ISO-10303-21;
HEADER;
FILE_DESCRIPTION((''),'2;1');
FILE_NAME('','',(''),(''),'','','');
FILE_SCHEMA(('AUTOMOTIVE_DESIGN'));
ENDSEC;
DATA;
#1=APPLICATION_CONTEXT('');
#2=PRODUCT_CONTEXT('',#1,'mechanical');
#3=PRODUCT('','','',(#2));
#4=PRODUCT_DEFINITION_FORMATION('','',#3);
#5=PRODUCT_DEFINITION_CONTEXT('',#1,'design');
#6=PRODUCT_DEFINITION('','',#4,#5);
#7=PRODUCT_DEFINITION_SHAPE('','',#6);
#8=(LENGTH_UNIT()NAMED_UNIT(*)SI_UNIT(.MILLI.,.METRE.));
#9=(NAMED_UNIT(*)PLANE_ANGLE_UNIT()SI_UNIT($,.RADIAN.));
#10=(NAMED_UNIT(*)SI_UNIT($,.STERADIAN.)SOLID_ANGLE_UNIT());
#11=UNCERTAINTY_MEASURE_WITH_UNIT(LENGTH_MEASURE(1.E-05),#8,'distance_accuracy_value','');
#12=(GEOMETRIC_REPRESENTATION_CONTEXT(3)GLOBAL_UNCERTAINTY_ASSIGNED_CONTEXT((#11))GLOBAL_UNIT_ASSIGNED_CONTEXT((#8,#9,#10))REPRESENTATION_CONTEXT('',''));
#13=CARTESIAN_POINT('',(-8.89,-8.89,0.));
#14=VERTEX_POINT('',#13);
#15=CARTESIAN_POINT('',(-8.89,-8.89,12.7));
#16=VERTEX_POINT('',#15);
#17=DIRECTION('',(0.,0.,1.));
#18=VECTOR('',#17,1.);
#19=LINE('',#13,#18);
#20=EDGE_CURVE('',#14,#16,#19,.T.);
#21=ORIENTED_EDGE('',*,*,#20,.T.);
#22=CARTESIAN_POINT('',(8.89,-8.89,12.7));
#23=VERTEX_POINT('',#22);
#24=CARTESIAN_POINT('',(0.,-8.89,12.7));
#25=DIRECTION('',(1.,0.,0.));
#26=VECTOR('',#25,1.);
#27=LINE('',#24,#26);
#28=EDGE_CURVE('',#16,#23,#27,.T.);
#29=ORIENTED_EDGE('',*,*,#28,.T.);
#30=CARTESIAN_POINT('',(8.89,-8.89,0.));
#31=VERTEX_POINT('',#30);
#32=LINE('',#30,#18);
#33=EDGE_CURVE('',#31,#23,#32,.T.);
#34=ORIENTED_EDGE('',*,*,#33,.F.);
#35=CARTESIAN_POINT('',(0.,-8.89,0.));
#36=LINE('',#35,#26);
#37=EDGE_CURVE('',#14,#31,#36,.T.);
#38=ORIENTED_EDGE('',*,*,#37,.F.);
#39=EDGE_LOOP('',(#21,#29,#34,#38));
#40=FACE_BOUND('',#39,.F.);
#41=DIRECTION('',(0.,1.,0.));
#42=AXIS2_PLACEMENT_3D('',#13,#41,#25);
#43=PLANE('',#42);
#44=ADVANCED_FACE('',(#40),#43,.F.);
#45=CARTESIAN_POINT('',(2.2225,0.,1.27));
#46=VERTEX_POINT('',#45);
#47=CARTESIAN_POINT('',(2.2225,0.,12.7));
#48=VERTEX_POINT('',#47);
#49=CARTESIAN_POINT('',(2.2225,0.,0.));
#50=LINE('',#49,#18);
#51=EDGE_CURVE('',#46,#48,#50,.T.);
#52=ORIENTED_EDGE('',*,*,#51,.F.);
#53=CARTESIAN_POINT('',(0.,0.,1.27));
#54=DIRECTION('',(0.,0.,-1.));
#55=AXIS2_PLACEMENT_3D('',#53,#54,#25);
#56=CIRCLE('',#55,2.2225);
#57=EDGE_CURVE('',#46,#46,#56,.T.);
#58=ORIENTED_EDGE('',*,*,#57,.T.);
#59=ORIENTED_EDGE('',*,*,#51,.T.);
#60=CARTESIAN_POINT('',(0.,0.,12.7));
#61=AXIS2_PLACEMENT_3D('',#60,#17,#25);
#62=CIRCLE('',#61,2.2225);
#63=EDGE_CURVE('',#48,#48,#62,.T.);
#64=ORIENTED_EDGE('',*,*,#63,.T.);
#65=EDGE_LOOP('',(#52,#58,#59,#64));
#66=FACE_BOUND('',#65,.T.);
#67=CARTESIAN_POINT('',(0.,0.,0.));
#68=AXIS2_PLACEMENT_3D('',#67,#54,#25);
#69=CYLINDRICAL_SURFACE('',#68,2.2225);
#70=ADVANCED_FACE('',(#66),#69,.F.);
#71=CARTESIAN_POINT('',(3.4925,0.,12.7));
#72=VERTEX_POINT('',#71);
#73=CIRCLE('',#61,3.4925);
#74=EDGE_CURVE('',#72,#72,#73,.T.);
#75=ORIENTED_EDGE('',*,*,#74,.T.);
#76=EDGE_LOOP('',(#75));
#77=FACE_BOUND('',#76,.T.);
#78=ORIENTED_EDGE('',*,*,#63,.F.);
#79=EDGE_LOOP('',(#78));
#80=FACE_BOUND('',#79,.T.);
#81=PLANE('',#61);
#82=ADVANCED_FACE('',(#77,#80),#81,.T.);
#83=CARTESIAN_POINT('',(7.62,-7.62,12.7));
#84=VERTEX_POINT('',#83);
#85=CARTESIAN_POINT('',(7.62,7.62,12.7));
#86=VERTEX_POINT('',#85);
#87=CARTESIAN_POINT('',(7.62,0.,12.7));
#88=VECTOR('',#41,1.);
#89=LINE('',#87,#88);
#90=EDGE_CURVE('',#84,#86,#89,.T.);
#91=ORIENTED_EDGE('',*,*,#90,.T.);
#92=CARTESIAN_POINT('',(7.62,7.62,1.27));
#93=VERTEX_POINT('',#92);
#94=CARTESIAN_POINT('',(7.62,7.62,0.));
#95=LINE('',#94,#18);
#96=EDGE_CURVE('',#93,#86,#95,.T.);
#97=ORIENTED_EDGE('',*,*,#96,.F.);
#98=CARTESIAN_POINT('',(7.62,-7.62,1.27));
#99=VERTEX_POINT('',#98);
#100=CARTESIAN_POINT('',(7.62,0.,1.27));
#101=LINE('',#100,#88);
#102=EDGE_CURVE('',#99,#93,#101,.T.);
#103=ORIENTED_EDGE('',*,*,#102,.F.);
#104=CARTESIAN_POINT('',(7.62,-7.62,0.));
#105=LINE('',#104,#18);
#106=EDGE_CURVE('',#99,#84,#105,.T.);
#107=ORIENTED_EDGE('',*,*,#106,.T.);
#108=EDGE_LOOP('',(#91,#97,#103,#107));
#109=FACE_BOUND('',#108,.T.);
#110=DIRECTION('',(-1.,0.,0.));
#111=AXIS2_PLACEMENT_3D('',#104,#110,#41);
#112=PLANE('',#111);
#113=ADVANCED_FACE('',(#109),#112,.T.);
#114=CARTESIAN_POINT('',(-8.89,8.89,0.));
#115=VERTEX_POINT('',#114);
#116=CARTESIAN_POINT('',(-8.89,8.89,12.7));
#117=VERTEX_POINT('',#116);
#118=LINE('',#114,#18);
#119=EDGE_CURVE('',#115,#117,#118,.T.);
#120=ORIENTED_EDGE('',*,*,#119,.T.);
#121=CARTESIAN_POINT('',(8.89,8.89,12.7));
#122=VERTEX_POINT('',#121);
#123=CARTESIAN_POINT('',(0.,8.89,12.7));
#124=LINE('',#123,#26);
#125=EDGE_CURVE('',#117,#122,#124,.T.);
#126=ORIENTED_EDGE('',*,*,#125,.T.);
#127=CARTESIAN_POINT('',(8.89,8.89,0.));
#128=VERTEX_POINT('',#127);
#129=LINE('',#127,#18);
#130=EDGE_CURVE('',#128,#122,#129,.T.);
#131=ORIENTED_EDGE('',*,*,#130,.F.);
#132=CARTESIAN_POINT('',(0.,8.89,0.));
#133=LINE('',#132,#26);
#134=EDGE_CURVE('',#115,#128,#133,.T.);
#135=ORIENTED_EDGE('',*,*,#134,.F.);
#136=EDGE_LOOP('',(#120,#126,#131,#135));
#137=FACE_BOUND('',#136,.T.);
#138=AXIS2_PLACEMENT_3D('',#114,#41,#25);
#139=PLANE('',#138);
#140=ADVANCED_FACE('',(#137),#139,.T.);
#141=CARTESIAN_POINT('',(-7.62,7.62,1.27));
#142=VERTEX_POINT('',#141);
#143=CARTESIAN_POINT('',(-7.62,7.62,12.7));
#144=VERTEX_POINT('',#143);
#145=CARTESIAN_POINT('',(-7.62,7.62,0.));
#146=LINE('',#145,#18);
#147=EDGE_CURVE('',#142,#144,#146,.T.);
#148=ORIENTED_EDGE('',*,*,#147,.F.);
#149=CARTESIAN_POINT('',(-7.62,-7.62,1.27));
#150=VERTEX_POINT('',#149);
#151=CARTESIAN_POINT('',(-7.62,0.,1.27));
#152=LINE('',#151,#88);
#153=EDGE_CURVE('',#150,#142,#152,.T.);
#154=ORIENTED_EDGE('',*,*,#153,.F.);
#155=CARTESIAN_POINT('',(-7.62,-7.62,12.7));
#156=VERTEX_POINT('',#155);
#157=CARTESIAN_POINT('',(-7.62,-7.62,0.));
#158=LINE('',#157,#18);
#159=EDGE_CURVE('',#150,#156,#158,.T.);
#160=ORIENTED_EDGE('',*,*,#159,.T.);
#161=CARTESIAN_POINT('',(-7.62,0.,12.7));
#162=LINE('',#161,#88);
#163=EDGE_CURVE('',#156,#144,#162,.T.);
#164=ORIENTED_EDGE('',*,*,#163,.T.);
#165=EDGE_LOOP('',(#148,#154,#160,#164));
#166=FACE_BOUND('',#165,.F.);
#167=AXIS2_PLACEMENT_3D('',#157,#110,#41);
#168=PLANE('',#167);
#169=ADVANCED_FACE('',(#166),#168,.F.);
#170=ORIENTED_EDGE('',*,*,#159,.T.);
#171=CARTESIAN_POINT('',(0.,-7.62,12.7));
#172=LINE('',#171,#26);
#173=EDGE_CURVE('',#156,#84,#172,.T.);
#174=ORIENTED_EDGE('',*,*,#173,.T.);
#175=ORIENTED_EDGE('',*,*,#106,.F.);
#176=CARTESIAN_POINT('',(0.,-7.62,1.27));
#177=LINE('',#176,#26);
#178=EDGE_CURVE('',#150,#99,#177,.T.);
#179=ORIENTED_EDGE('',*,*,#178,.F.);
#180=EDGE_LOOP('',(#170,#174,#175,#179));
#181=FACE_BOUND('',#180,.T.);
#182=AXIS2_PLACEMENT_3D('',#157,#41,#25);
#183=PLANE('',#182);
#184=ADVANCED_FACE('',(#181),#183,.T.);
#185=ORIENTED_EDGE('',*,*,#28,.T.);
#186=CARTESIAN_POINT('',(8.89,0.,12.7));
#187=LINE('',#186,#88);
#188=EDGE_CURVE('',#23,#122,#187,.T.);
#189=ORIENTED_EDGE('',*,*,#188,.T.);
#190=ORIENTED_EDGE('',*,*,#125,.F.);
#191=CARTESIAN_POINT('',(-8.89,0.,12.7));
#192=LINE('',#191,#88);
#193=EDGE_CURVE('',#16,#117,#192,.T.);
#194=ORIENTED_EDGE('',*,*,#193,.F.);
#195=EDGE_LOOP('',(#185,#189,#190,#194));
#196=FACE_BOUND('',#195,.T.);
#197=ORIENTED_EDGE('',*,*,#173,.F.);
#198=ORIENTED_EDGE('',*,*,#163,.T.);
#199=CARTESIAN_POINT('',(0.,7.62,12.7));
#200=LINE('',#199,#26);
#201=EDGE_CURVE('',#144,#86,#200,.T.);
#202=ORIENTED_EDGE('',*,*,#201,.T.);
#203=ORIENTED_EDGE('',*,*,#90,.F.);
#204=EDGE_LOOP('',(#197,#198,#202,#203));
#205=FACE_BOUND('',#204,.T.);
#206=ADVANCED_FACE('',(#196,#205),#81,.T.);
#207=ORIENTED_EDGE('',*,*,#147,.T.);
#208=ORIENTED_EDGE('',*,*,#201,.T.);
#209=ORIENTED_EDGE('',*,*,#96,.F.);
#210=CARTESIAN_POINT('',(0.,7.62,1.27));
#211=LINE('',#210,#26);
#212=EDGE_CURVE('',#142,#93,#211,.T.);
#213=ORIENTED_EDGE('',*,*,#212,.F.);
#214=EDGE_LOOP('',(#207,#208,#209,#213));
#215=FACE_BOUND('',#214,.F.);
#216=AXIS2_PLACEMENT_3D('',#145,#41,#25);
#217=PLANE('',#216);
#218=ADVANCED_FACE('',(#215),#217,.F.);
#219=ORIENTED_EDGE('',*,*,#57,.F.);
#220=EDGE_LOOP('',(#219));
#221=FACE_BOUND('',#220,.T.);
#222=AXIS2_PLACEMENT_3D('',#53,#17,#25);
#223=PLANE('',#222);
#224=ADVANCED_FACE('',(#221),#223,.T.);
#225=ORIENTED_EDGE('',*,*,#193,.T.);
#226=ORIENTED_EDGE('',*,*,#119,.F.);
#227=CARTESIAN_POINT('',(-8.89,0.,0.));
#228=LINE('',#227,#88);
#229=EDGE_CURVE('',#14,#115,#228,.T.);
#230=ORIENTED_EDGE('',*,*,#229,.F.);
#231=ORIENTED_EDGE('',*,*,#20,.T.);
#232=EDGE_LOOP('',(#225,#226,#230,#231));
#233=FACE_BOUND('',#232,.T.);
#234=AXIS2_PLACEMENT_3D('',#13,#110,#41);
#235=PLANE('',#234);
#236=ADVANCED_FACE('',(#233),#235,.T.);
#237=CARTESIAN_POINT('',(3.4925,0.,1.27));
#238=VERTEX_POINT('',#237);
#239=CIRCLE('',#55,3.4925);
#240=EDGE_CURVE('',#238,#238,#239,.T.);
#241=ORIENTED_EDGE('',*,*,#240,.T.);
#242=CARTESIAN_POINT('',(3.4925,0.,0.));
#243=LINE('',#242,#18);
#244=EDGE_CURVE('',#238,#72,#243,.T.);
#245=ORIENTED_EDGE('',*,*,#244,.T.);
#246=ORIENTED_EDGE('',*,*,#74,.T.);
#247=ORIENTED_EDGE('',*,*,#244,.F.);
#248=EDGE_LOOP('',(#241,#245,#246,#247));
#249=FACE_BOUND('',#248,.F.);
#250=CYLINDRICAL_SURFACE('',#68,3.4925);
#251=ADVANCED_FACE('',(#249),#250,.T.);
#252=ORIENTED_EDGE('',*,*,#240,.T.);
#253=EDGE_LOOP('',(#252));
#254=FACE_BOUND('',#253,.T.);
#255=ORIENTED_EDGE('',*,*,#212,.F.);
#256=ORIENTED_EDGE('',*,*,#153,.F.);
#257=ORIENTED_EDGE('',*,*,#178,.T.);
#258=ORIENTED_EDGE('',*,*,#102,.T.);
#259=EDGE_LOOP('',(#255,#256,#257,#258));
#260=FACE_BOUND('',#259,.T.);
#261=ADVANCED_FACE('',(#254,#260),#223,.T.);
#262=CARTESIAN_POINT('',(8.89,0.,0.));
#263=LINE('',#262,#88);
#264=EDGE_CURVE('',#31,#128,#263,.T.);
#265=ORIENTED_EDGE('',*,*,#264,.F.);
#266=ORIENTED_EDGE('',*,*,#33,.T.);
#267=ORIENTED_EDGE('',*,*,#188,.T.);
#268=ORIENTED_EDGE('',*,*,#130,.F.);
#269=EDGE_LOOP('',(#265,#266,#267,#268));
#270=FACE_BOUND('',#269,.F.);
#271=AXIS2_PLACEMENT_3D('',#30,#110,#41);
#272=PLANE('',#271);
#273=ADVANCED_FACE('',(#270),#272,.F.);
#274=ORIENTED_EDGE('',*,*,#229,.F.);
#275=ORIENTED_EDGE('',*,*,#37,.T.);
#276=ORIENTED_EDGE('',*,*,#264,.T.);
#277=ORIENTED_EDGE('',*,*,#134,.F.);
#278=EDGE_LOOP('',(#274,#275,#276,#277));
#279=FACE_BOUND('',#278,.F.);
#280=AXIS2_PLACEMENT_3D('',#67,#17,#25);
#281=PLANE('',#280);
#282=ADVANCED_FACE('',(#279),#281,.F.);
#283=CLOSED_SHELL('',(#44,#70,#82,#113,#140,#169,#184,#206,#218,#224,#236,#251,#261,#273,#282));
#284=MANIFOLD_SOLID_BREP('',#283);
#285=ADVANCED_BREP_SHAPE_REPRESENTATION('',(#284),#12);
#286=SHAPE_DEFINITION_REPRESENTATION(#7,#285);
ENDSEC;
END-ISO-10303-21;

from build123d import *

# Parameters (mm, degrees)
F0_W     = 15.24
F0_H     = 15.24
F0_R     = 3.4925
F0_R_2   = 2.2225
F1_DEPTH = 1.27
F0_W_2   = 17.78
F0_H_2   = 17.78
F2_DEPTH = 12.7
F3_DEPTH = 12.7


with BuildPart() as f1:
    # F0 (on Top) → F1 (new body)
    with BuildSketch(Plane.XY):
        Rectangle(F0_W, F0_H)
        Circle(F0_R, mode=Mode.SUBTRACT)
        Circle(F0_R)
        Circle(F0_R_2, mode=Mode.SUBTRACT)
        Circle(F0_R_2)
    extrude(amount=F1_DEPTH)

    # F0 (on Top) → F2 (join)
    with BuildSketch(Plane.XY):
        Rectangle(F0_W_2, F0_H_2)
        Rectangle(F0_W, F0_H, mode=Mode.SUBTRACT)
    extrude(amount=F2_DEPTH)

    # F0 (on Top) → F3 (join)
    with BuildSketch(Plane.XY):
        Circle(F0_R)
        Circle(F0_R_2, mode=Mode.SUBTRACT)
    extrude(amount=F3_DEPTH)


solid = f1.part
